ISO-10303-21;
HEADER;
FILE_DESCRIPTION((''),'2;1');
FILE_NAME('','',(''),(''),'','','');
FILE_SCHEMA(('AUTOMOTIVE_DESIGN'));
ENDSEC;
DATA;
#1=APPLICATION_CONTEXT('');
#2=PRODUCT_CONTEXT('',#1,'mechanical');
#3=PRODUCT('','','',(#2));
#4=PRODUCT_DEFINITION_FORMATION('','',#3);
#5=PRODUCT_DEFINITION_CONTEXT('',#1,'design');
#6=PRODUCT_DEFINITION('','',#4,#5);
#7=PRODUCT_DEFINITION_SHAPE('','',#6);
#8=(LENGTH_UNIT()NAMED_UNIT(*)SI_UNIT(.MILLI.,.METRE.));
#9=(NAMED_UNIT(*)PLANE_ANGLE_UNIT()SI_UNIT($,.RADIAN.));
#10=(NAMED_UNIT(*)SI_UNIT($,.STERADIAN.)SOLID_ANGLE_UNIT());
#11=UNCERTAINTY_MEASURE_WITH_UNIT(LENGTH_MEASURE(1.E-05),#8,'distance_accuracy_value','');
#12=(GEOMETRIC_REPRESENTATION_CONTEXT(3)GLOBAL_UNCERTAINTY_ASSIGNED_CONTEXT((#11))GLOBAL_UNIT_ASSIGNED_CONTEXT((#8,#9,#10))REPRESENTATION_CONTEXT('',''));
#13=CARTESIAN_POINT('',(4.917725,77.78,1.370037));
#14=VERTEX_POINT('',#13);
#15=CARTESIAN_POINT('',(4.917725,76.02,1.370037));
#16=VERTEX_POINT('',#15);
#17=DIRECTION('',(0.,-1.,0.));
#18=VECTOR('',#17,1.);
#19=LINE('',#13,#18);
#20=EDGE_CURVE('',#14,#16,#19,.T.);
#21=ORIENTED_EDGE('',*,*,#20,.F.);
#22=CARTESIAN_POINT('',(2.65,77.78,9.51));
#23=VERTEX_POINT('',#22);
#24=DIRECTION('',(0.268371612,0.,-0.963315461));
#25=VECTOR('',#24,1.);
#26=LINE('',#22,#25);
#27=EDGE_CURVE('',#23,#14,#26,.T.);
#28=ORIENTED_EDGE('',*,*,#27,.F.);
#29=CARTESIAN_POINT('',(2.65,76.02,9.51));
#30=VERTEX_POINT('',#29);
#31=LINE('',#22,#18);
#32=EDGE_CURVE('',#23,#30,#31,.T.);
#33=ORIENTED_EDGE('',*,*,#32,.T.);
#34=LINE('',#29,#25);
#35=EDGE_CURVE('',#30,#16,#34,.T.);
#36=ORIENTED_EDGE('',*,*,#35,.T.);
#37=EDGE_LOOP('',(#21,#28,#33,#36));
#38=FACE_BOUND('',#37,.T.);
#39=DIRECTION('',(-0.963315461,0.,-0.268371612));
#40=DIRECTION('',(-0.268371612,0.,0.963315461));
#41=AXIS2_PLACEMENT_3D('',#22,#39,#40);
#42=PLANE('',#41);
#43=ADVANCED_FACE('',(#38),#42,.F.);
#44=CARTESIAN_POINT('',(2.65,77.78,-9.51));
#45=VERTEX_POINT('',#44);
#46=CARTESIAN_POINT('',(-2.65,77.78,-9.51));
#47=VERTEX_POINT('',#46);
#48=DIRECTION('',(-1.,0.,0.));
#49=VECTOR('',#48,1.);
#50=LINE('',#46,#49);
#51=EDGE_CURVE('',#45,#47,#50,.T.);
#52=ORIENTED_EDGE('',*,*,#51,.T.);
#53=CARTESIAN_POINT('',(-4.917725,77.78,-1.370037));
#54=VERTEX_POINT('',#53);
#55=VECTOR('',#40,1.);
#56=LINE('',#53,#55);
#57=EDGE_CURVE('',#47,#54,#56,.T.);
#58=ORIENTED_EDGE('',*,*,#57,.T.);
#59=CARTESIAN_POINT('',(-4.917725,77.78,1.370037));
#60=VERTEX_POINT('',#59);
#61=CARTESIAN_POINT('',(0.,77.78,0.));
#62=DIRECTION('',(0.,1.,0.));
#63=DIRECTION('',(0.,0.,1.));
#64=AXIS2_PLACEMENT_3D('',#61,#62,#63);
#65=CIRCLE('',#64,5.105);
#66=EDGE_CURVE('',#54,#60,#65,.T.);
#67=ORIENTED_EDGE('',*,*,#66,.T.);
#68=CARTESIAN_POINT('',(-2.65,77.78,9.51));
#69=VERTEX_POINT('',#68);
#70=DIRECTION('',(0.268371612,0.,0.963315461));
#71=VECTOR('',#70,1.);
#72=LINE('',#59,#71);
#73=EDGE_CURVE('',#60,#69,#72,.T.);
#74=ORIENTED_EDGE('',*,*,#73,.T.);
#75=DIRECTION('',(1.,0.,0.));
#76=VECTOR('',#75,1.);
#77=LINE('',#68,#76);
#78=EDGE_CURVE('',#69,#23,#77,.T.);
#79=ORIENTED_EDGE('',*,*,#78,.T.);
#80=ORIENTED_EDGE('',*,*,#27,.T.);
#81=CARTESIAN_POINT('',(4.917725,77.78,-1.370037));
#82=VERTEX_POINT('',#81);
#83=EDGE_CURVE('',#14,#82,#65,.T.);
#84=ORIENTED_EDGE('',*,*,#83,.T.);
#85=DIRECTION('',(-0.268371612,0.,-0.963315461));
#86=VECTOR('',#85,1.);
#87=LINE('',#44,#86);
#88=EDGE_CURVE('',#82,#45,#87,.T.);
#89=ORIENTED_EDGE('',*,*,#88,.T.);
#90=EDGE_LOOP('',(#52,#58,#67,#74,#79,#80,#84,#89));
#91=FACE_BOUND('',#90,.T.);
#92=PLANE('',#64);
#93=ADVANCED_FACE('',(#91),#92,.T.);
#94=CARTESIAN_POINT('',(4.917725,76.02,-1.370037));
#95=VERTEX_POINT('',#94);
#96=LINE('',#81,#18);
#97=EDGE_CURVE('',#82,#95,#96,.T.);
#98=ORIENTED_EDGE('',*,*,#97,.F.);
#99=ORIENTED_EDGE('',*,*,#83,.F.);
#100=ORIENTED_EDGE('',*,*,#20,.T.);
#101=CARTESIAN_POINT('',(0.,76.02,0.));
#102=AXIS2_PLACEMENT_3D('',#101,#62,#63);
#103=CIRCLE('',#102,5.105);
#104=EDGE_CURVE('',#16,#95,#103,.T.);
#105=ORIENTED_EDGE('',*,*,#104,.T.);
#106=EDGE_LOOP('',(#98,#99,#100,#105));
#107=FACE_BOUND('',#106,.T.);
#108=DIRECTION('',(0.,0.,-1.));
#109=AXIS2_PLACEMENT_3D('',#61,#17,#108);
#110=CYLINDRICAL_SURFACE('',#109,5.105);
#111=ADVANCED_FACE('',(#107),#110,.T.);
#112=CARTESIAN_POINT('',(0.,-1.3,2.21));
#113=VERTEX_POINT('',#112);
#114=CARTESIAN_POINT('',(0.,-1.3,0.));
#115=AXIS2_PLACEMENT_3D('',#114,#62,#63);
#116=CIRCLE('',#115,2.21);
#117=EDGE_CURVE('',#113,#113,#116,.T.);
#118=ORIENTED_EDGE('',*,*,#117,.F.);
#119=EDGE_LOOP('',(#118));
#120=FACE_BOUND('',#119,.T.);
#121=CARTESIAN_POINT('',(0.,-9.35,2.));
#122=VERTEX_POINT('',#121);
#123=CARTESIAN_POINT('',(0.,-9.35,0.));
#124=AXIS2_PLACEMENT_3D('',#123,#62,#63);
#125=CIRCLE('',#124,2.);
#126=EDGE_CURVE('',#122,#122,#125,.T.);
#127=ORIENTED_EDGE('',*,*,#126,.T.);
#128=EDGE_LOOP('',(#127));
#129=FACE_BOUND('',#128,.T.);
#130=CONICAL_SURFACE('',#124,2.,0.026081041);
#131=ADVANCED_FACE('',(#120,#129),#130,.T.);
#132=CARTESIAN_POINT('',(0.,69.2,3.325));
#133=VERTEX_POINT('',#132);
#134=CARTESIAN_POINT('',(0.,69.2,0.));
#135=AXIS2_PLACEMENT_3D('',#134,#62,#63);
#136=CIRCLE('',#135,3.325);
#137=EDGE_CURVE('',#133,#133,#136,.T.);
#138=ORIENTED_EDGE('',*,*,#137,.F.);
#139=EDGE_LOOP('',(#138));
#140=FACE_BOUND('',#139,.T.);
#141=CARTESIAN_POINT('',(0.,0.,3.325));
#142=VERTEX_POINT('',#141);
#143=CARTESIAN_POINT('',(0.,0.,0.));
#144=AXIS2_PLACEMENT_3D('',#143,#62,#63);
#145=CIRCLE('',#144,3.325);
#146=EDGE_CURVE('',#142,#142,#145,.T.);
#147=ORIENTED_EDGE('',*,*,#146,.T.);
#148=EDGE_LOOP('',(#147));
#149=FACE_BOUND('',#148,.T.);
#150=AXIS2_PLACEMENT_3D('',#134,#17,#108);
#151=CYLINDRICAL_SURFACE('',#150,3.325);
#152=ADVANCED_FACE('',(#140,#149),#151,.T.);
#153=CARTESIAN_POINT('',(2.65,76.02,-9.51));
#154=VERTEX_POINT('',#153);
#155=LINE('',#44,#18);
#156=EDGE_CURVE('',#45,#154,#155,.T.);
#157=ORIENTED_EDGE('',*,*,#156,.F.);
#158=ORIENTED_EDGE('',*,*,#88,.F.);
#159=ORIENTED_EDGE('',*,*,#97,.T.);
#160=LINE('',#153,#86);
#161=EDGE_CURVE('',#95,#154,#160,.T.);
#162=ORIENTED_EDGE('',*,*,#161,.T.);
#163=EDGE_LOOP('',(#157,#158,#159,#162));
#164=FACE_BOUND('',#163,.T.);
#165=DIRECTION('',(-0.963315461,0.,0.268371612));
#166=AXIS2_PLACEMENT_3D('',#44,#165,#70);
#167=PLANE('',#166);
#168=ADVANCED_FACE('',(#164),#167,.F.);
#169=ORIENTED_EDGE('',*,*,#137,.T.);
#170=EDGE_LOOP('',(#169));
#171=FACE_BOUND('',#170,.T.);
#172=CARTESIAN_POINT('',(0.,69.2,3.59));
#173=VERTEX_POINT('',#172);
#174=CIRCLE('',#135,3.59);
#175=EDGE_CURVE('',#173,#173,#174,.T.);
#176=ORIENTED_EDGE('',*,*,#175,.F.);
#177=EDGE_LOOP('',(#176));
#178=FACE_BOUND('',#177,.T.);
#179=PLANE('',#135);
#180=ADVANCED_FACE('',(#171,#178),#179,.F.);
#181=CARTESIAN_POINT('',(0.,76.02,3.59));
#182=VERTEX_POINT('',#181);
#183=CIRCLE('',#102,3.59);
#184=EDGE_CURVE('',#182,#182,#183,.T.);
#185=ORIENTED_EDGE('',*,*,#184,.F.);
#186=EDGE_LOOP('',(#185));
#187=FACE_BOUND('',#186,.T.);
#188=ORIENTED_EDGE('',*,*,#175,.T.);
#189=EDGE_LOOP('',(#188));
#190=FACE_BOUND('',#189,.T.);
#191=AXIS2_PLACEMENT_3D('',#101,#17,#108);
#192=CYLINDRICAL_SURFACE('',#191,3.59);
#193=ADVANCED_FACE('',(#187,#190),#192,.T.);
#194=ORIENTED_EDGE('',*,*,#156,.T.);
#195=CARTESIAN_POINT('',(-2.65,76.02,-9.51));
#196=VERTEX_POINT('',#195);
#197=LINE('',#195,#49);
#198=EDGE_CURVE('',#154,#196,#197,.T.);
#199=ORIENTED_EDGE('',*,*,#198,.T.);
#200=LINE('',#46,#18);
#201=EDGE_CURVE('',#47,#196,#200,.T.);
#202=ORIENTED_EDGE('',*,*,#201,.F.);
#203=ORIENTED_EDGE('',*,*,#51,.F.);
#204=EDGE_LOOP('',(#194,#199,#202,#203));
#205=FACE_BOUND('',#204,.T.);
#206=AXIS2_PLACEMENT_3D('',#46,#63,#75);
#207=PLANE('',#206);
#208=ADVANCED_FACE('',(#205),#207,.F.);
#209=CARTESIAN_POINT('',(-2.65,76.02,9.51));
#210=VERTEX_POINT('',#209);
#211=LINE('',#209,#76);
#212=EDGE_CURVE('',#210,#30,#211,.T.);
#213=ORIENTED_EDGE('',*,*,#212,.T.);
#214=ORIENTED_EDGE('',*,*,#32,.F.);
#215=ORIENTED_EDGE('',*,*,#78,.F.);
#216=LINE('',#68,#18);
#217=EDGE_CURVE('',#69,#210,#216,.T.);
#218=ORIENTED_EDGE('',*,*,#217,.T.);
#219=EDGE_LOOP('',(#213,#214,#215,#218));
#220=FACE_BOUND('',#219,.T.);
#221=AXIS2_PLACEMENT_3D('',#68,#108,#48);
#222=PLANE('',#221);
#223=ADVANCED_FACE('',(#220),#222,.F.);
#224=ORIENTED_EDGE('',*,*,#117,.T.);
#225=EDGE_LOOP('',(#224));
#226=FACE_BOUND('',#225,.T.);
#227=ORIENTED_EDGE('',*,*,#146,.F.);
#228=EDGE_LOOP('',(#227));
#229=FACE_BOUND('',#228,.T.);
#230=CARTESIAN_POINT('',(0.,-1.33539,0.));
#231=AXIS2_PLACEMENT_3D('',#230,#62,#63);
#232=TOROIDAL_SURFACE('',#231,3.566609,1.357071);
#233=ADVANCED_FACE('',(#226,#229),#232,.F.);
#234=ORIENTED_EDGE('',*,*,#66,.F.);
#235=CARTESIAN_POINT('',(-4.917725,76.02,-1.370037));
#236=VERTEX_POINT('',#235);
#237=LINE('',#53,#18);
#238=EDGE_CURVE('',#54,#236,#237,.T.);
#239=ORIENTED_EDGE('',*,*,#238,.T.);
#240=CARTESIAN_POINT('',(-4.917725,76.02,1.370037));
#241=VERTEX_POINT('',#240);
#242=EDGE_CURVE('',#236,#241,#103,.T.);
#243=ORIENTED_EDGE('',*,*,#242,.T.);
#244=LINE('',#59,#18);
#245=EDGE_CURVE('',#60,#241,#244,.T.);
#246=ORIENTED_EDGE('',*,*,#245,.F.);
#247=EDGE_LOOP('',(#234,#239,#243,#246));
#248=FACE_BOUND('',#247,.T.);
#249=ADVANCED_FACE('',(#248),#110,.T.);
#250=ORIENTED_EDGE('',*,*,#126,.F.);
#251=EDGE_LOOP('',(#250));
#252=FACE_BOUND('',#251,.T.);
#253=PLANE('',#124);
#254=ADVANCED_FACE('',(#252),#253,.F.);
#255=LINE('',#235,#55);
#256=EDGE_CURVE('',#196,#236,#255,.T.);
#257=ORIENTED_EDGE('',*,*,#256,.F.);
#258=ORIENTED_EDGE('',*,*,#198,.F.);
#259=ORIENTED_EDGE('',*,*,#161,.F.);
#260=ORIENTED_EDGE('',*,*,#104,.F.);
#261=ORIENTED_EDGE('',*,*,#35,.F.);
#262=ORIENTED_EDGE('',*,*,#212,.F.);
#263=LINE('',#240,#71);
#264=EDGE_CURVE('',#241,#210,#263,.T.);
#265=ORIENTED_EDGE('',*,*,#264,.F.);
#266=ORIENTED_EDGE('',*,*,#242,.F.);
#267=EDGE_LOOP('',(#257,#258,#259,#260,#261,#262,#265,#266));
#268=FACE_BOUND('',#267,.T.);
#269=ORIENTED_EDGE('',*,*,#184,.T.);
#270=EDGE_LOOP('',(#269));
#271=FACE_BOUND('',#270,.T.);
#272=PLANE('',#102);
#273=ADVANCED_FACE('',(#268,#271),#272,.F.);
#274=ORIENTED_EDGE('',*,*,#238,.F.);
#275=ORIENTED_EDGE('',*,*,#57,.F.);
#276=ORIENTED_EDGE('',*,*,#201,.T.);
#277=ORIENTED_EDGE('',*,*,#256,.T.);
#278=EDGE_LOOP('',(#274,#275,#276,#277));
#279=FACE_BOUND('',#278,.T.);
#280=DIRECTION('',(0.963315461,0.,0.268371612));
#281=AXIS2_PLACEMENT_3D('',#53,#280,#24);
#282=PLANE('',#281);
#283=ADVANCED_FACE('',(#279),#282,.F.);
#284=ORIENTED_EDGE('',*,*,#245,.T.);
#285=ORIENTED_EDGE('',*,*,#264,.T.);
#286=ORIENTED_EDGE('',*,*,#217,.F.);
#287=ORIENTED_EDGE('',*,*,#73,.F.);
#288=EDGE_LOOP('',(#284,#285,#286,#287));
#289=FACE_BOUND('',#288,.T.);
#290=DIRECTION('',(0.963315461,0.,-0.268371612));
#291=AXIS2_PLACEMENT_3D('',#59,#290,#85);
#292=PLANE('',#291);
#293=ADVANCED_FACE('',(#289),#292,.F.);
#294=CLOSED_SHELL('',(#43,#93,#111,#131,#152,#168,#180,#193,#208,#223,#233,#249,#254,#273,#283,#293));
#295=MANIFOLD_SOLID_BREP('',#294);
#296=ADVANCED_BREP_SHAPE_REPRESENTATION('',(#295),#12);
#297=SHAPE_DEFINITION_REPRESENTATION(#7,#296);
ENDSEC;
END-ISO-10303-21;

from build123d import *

# Parameters (mm, degrees)
SKETCH1_R           = 3.325
BOSS_EXTRUDE1_DEPTH = 69.2
SKETCH2_R           = 3.59
BOSS_EXTRUDE2_DEPTH = 6.82
BOSS_EXTRUDE3_DEPTH = 1.76


with BuildPart() as part:
    # Sketch1 → Boss-Extrude1 (new body)
    with BuildSketch(Plane(origin=(0, 0, 0), x_dir=(1, 0, 0), z_dir=(0, 1, 0))):
        Circle(SKETCH1_R)
    extrude(amount=BOSS_EXTRUDE1_DEPTH)

    # Sketch2 → Boss-Extrude2 (add)
    with BuildSketch(Plane(origin=(0, 69.2, 0), x_dir=(1, 0, 0), z_dir=(0, 1, 0))):
        Circle(SKETCH2_R)
    extrude(amount=BOSS_EXTRUDE2_DEPTH)

    # Sketch3 → Boss-Extrude3 (add)
    with BuildSketch(Plane(origin=(0, 76.02, 0), x_dir=(1, 0, 0), z_dir=(0, 1, 0))):
        with BuildLine():
            Line((-4.91772543, 1.370037078), (-2.65, 9.51))
            Line((-2.65, 9.51), (2.65, 9.51))
            Line((2.65, 9.51), (4.91772543, 1.370037078))
            ThreePointArc((4.91772543, 1.370037078), (5.105, 0), (4.91772543, -1.370037078))
            Line((4.91772543, -1.370037078), (2.65, -9.51))
            Line((2.65, -9.51), (-2.65, -9.51))
            Line((-2.65, -9.51), (-4.91772543, -1.370037078))
            ThreePointArc((-4.91772543, -1.370037078), (-5.105, 0), (-4.91772543, 1.370037078))
        make_face()
    extrude(amount=BOSS_EXTRUDE3_DEPTH)

    # Sketch4 → Revolve1 (revolve)
    with BuildSketch(Plane(origin=(0, 0, 0), x_dir=(0, 0, -1), z_dir=(1, 0, 0))):
        with BuildLine():
            Line((0, 0), (0, -9.35))
            Line((0, -9.35), (2, -9.35))
            Line((2, -9.35), (2.21, -1.3))
            ThreePointArc((2.21, -1.3), (2.536524, -0.451893662), (3.325, 0))
            Line((3.325, 0), (0, 0))
        make_face()
    revolve(axis=Axis((0, 0, 0), (0, -1, 0)))


solid = part.part
